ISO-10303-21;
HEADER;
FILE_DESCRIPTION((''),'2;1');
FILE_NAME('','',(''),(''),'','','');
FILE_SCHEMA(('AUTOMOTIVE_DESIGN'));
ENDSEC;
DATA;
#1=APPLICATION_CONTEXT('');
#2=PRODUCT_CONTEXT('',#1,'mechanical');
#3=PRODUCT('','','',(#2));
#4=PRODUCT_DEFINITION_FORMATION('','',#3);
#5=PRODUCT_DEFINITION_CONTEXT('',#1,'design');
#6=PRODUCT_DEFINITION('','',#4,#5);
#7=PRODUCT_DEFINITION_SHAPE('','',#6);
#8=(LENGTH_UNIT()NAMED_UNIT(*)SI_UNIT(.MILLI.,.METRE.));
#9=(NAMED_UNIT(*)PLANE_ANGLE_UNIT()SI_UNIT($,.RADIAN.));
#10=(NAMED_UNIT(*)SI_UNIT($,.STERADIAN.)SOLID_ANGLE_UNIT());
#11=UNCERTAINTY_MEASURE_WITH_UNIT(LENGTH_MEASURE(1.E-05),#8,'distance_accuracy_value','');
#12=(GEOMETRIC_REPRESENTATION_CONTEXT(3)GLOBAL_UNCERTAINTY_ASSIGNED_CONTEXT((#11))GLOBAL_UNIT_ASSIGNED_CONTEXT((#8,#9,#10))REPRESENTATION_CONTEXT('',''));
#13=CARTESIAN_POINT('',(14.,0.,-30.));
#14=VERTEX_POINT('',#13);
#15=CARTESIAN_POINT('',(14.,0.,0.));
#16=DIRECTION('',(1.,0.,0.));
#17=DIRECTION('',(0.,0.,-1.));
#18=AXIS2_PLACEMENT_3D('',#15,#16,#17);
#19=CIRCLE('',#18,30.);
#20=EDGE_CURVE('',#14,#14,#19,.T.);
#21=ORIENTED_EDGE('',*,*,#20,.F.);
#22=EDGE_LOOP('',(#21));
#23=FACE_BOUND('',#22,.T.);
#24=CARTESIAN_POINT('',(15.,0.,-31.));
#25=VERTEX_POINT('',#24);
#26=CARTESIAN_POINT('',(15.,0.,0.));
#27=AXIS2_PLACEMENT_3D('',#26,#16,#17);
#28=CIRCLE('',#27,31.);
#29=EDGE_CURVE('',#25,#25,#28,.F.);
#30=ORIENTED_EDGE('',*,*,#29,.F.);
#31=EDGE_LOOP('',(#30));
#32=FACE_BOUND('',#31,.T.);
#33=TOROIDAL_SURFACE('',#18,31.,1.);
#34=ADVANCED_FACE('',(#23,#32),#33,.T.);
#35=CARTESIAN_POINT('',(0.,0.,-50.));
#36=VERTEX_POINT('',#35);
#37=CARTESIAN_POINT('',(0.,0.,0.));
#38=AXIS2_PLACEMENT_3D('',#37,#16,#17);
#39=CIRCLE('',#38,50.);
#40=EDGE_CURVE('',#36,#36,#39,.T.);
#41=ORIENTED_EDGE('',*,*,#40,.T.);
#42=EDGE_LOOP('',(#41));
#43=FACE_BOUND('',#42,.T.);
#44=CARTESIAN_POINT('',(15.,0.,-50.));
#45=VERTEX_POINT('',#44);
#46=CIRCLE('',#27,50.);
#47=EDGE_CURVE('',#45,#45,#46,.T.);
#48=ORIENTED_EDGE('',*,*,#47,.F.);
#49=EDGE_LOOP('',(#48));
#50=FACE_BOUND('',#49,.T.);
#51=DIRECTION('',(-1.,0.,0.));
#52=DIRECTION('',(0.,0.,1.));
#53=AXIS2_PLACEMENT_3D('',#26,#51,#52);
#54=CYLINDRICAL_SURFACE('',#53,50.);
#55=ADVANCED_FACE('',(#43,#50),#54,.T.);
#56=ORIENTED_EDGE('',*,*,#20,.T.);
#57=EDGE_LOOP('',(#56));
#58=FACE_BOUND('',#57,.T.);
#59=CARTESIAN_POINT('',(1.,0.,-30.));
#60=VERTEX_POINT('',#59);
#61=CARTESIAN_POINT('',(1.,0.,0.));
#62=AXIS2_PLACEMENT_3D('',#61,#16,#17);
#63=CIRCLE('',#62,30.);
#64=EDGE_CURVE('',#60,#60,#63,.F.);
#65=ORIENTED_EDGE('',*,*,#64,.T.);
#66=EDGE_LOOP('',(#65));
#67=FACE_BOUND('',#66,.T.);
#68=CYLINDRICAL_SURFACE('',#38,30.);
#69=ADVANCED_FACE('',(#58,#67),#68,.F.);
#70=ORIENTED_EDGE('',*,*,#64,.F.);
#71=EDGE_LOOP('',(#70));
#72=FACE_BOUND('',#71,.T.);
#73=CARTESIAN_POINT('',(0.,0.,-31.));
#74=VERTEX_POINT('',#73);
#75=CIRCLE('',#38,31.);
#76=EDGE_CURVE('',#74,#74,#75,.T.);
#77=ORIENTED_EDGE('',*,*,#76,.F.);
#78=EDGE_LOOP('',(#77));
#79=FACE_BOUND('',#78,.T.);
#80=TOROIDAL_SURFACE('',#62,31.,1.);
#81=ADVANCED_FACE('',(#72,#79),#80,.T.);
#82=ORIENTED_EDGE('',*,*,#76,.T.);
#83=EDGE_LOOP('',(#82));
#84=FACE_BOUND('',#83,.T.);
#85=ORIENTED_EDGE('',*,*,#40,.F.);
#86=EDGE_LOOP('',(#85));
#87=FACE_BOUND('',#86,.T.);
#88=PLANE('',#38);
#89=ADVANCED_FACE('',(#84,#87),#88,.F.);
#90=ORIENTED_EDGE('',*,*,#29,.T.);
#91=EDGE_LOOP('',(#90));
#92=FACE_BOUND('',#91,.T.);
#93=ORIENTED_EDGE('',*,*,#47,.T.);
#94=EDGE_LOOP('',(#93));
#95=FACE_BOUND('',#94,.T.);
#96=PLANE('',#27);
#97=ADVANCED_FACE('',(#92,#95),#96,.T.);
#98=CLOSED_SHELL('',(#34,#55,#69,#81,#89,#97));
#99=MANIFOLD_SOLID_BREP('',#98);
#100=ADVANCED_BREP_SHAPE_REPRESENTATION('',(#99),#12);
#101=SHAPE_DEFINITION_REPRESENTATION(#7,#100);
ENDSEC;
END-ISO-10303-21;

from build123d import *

# Parameters (mm, degrees)
ESBO_O2_R                = 50
RESSALTO_EXTRUS_O1_DEPTH = 15
ESBO_O3_R                = 30
CORTE_EXTRUS_O1_DEPTH    = 73.284161474
FILETE1_R                = 1


with BuildPart() as part:
    # Esboço2 → Ressalto-extrusão1 (new body)
    with BuildSketch(Plane(origin=(0, 0, 0), x_dir=(0, 0, -1), z_dir=(1, 0, 0))):
        Circle(ESBO_O2_R)
    extrude(amount=RESSALTO_EXTRUS_O1_DEPTH)

    # Esboço3 → Corte-extrusão1 (cut, through all)
    with BuildSketch(Plane(origin=(15, 0, 0), x_dir=(0, 0, -1), z_dir=(1, 0, 0))):
        Circle(ESBO_O3_R)
    extrude(amount=-CORTE_EXTRUS_O1_DEPTH, mode=Mode.SUBTRACT)

    # Filete1
    filete1_edges = [part.edges().sort_by_distance(p)[0] for p in [
        (0, 0, 30),
        (15, 0, 30),
    ]]
    fillet(filete1_edges, radius=FILETE1_R)


solid = part.part
